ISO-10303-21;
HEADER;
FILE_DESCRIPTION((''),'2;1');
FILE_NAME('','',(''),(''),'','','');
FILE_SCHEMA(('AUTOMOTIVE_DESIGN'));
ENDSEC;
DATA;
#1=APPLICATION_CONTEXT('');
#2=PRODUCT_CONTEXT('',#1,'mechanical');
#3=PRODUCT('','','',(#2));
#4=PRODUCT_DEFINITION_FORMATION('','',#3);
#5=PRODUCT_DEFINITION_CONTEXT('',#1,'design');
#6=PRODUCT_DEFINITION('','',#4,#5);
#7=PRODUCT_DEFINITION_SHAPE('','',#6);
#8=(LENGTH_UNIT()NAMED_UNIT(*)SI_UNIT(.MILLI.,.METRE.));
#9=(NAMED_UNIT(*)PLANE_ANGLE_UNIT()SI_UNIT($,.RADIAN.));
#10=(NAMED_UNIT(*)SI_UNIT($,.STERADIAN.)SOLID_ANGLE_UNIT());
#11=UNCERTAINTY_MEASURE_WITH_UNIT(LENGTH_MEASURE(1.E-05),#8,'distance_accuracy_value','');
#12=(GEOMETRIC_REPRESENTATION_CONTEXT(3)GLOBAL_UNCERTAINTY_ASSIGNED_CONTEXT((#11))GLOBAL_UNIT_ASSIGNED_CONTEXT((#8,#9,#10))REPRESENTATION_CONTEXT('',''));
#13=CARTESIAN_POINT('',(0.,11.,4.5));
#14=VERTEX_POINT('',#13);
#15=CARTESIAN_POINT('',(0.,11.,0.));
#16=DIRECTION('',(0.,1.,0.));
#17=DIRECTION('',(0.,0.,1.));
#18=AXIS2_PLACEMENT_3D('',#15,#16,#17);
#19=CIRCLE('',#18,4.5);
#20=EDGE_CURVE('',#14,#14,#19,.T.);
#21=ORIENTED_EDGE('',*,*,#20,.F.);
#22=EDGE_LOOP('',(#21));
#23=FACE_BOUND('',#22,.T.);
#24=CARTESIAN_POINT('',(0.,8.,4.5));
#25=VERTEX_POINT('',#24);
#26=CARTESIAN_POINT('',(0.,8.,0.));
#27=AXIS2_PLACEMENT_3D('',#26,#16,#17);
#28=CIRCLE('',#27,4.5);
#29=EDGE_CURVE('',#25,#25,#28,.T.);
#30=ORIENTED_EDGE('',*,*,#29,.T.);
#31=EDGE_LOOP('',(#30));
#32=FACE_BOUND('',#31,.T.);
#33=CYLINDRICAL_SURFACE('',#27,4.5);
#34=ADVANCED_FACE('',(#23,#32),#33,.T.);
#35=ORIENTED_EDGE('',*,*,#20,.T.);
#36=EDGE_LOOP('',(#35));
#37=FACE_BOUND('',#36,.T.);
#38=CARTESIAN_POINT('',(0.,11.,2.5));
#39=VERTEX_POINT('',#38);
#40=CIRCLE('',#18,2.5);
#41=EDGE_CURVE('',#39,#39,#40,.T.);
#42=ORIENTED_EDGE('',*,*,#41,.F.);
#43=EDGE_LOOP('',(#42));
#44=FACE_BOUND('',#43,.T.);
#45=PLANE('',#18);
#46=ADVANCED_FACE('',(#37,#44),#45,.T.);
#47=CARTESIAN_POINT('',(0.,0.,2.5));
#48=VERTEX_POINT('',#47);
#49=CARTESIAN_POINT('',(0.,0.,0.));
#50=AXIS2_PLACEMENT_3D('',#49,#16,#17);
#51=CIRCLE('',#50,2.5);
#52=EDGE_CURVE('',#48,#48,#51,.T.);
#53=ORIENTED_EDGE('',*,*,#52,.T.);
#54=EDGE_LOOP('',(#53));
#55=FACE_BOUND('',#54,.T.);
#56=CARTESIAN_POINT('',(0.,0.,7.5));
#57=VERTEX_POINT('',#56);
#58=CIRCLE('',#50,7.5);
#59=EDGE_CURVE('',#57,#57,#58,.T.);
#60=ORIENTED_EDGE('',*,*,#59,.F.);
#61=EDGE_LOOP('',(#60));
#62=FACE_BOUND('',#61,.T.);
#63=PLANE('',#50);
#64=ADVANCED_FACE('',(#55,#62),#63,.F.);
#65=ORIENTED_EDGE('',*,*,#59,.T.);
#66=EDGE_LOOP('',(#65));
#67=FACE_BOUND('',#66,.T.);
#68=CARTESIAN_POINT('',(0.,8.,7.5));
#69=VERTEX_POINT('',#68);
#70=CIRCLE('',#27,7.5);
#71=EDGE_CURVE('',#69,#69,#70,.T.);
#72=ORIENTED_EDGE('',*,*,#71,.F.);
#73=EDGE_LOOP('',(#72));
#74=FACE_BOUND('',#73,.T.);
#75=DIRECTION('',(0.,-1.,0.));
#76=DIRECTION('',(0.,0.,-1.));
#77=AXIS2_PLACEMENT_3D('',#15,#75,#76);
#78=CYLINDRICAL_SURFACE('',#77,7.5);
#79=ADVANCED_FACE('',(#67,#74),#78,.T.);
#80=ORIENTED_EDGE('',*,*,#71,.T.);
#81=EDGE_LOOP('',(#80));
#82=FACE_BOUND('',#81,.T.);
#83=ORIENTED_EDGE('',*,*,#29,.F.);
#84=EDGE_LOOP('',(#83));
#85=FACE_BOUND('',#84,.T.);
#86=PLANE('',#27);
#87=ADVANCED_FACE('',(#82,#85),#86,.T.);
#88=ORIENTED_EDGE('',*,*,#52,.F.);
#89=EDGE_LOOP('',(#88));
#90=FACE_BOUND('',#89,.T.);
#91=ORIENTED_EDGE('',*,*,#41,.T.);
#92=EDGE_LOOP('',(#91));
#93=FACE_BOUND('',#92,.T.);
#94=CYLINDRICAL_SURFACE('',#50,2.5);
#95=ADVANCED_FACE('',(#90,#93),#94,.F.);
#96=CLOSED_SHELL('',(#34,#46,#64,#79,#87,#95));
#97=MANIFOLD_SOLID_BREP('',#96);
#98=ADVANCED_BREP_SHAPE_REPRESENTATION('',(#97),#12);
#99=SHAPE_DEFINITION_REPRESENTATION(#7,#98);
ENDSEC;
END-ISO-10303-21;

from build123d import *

# Parameters (mm, degrees)
SKETCH1_R           = 7.5
BOSS_EXTRUDE1_DEPTH = 11
SKETCH2_R           = 2.5
CUT_EXTRUDE1_DEPTH  = 16.28070679
CUT_EXTRUDE3_START  = -3
SKETCH3_R           = 7.5
SKETCH3_R_2         = 4.5
CUT_EXTRUDE3_DEPTH  = 3


with BuildPart() as part:
    # Sketch1 → Boss-Extrude1 (new body)
    with BuildSketch(Plane(origin=(0, 0, 0), x_dir=(1, 0, 0), z_dir=(0, 1, 0))):
        with Locations(Location((0, 0, 0), (0, 0, 270))):
            Circle(SKETCH1_R)
    extrude(amount=BOSS_EXTRUDE1_DEPTH)

    # Sketch2 → Cut-Extrude1 (cut, through all)
    with BuildSketch(Plane(origin=(0, 11, 0), x_dir=(1, 0, 0), z_dir=(0, 1, 0))):
        with Locations(Location((0, 0, 0), (0, 0, 270))):
            Circle(SKETCH2_R)
    extrude(amount=-CUT_EXTRUDE1_DEPTH, mode=Mode.SUBTRACT)

    # Sketch3 → Cut-Extrude3 (cut)
    with BuildSketch(Plane(origin=(0, 11, 0), x_dir=(1, 0, 0), z_dir=(0, 1, 0)).offset(CUT_EXTRUDE3_START)):
        with Locations(Location((0, 0, 0), (0, 0, 270))):
            Circle(SKETCH3_R)
        with Locations(Location((0, 0, 0), (0, 0, 270))):
            Circle(SKETCH3_R_2, mode=Mode.SUBTRACT)
    extrude(amount=CUT_EXTRUDE3_DEPTH, mode=Mode.SUBTRACT)


solid = part.part
